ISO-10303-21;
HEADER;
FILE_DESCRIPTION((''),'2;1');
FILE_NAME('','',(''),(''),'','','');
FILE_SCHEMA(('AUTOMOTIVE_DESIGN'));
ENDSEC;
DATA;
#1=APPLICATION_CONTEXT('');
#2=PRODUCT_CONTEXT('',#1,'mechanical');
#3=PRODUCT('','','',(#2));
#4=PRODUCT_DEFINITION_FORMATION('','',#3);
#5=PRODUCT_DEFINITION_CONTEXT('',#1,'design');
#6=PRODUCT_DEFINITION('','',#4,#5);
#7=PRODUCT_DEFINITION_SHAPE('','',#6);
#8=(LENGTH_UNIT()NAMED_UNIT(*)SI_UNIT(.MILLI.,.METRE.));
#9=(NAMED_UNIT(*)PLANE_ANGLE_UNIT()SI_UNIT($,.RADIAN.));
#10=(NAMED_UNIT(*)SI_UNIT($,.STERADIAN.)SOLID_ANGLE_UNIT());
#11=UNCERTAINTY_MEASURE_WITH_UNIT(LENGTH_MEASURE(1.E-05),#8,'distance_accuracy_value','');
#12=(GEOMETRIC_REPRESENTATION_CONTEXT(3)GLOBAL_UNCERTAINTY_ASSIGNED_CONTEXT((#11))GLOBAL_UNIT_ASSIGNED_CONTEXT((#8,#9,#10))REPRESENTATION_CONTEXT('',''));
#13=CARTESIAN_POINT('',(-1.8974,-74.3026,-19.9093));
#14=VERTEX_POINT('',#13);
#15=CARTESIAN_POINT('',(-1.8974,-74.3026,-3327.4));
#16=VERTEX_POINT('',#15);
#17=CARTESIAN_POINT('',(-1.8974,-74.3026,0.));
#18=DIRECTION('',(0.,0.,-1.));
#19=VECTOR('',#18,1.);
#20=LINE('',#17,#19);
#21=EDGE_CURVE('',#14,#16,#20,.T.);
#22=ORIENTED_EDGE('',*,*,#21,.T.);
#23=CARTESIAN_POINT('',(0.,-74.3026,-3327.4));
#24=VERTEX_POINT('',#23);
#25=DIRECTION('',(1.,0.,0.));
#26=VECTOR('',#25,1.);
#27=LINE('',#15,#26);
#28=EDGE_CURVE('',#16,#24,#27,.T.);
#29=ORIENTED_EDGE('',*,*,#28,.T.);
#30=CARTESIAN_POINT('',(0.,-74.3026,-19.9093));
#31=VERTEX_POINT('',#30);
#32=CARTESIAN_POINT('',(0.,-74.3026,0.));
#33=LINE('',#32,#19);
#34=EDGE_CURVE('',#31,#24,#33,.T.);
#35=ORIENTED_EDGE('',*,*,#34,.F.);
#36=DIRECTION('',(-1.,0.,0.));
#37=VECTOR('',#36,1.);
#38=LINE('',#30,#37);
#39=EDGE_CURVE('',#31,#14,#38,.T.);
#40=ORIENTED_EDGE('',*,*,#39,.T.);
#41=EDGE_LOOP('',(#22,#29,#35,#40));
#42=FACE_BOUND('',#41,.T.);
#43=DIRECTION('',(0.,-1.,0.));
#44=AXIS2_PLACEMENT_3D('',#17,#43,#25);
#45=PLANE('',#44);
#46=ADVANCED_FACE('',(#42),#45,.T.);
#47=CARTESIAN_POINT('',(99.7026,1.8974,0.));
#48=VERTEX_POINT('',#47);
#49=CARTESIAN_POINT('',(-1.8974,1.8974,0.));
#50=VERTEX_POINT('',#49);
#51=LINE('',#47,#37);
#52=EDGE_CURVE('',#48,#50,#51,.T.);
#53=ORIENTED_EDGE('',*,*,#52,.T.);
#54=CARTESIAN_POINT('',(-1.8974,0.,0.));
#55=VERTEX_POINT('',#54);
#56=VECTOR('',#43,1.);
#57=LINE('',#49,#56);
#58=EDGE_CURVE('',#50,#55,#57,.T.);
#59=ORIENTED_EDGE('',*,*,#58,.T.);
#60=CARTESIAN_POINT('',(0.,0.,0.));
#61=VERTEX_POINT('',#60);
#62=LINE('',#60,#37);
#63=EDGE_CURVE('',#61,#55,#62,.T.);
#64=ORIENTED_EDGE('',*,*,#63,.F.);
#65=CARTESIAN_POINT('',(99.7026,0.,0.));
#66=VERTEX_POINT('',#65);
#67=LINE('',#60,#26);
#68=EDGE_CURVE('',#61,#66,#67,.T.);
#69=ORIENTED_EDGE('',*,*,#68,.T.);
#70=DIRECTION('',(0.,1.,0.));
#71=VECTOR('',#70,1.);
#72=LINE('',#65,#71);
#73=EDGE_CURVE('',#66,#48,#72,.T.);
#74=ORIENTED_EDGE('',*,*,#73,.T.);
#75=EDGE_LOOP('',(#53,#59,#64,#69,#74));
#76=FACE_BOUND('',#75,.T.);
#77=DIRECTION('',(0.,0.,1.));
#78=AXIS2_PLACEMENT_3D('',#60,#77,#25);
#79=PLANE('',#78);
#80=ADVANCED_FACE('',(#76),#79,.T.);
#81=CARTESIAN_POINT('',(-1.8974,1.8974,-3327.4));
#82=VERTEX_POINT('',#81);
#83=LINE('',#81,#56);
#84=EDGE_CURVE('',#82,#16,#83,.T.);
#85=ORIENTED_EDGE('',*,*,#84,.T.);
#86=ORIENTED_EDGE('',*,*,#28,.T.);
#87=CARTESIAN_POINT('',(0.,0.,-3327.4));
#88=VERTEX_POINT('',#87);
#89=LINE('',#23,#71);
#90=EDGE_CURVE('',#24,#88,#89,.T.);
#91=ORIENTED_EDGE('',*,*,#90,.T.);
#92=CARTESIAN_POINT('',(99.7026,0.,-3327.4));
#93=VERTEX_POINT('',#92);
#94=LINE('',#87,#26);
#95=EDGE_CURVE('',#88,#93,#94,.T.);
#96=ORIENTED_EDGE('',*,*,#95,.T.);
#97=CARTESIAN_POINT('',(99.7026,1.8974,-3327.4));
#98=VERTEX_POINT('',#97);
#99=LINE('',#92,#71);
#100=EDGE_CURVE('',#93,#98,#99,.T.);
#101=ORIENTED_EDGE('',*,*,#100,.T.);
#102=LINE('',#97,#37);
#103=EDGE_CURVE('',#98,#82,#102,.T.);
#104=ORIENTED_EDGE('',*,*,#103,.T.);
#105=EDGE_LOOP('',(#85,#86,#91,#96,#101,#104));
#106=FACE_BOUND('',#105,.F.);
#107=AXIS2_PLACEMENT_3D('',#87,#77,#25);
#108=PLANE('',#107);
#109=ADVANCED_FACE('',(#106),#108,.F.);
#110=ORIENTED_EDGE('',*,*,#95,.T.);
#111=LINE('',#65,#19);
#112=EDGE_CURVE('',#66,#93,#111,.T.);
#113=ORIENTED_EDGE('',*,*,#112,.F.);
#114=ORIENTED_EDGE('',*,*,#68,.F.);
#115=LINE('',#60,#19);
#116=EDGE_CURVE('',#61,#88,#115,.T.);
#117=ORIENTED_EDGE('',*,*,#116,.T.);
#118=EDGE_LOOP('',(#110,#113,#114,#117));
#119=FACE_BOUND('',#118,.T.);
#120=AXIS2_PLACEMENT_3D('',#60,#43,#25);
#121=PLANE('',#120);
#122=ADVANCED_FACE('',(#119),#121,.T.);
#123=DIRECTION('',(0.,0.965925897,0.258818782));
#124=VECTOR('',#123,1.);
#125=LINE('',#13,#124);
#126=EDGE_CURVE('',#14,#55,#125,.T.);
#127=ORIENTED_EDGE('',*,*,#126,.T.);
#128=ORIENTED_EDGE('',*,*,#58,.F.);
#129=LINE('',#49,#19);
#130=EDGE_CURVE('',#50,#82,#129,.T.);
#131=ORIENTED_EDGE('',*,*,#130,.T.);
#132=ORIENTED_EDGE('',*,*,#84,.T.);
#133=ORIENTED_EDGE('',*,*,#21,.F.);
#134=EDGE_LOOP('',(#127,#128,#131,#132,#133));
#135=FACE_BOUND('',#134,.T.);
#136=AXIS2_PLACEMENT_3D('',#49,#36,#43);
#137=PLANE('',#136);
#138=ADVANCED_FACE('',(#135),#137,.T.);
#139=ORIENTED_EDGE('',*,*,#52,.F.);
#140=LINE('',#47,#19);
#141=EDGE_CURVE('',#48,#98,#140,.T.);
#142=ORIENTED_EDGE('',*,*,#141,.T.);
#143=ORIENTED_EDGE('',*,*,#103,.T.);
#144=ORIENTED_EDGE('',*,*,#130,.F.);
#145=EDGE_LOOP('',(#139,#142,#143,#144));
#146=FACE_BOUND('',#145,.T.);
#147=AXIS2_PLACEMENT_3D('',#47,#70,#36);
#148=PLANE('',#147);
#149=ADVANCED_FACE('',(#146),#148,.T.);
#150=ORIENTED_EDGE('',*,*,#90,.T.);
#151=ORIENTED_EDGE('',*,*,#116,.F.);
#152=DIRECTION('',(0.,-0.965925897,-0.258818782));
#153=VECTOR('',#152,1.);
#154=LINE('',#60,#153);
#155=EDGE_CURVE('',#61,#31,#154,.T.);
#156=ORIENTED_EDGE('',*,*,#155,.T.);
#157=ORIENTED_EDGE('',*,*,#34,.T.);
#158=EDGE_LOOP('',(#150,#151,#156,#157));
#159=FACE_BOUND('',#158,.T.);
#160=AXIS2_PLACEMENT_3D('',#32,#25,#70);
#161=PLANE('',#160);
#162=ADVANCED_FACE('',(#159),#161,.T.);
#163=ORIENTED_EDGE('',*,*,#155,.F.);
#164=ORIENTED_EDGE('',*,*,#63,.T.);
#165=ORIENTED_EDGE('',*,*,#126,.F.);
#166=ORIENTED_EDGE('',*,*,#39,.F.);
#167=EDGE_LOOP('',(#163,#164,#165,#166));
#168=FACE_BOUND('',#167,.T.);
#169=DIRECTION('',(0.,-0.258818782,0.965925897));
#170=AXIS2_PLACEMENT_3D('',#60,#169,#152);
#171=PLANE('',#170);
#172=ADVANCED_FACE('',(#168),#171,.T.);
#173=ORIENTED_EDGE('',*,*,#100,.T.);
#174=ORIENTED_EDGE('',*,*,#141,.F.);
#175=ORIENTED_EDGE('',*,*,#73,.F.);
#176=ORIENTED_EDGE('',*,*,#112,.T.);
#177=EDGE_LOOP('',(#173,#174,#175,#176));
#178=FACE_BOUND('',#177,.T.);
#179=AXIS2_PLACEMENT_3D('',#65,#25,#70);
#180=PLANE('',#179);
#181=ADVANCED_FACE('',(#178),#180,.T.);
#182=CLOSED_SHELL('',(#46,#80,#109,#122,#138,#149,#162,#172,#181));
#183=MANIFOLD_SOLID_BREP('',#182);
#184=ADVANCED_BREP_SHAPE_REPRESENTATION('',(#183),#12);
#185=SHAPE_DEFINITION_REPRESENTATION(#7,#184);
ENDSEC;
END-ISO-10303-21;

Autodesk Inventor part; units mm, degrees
ref_plane "YZ Plane" through (0, 0, 0) normal (1, 0, 0) x (0, 1, 0)
ref_plane "XZ Plane" through (0, 0, 0) normal (0, 1, 0) x (-1, 0, 0)
ref_plane "XY Plane" through (0, 0, 0) normal (0, 0, 1) x (1, 0, 0)
sketch "Sketch1" plane through (0, 0, 0) normal (0, 0, 1) x (1, 0, 0)
  line L0 (-1.8974, -23.3494) -> (-1.8974, -74.3026)
  line L1 (-1.8974, -74.3026) -> (0, -74.3026)
  line L2 (0, -74.3026) -> (0, 0)
  line L3 (0, 0) -> (99.7026, 0)
  line L4 (99.7026, 0) -> (99.7026, 1.8974)
  line L5 (99.7026, 1.8974) -> (-1.8974, 1.8974)
  line L6 (-1.8974, 1.8974) -> (-1.8974, -23.3494)
  dimension "d0" = 101.6
  dimension "d1" = 76.2
  dimension "d2" = 1.8974
  dimension "d3" = 1.8974
extrude "Extrusion1" add sketch "Sketch1" against normal blind 3327.4
sketch "Sketch2" plane through (0, -74.3026, 0) normal (1, 0, 0) x (0, 0, -1)
  line L0 (0, 74.3026) -> (0, 0) projected
  line L1 (0, 74.3026) -> (19.9093, 0)
  line L2 (19.9093, 0) -> (0, 0)
  line L3 (0, 0) -> (0, 74.3026)
  dimension "d9" = 15
extrude "Extrusion2" cut sketch "Sketch2" against normal up to next
properties part number "Angle--Front"
